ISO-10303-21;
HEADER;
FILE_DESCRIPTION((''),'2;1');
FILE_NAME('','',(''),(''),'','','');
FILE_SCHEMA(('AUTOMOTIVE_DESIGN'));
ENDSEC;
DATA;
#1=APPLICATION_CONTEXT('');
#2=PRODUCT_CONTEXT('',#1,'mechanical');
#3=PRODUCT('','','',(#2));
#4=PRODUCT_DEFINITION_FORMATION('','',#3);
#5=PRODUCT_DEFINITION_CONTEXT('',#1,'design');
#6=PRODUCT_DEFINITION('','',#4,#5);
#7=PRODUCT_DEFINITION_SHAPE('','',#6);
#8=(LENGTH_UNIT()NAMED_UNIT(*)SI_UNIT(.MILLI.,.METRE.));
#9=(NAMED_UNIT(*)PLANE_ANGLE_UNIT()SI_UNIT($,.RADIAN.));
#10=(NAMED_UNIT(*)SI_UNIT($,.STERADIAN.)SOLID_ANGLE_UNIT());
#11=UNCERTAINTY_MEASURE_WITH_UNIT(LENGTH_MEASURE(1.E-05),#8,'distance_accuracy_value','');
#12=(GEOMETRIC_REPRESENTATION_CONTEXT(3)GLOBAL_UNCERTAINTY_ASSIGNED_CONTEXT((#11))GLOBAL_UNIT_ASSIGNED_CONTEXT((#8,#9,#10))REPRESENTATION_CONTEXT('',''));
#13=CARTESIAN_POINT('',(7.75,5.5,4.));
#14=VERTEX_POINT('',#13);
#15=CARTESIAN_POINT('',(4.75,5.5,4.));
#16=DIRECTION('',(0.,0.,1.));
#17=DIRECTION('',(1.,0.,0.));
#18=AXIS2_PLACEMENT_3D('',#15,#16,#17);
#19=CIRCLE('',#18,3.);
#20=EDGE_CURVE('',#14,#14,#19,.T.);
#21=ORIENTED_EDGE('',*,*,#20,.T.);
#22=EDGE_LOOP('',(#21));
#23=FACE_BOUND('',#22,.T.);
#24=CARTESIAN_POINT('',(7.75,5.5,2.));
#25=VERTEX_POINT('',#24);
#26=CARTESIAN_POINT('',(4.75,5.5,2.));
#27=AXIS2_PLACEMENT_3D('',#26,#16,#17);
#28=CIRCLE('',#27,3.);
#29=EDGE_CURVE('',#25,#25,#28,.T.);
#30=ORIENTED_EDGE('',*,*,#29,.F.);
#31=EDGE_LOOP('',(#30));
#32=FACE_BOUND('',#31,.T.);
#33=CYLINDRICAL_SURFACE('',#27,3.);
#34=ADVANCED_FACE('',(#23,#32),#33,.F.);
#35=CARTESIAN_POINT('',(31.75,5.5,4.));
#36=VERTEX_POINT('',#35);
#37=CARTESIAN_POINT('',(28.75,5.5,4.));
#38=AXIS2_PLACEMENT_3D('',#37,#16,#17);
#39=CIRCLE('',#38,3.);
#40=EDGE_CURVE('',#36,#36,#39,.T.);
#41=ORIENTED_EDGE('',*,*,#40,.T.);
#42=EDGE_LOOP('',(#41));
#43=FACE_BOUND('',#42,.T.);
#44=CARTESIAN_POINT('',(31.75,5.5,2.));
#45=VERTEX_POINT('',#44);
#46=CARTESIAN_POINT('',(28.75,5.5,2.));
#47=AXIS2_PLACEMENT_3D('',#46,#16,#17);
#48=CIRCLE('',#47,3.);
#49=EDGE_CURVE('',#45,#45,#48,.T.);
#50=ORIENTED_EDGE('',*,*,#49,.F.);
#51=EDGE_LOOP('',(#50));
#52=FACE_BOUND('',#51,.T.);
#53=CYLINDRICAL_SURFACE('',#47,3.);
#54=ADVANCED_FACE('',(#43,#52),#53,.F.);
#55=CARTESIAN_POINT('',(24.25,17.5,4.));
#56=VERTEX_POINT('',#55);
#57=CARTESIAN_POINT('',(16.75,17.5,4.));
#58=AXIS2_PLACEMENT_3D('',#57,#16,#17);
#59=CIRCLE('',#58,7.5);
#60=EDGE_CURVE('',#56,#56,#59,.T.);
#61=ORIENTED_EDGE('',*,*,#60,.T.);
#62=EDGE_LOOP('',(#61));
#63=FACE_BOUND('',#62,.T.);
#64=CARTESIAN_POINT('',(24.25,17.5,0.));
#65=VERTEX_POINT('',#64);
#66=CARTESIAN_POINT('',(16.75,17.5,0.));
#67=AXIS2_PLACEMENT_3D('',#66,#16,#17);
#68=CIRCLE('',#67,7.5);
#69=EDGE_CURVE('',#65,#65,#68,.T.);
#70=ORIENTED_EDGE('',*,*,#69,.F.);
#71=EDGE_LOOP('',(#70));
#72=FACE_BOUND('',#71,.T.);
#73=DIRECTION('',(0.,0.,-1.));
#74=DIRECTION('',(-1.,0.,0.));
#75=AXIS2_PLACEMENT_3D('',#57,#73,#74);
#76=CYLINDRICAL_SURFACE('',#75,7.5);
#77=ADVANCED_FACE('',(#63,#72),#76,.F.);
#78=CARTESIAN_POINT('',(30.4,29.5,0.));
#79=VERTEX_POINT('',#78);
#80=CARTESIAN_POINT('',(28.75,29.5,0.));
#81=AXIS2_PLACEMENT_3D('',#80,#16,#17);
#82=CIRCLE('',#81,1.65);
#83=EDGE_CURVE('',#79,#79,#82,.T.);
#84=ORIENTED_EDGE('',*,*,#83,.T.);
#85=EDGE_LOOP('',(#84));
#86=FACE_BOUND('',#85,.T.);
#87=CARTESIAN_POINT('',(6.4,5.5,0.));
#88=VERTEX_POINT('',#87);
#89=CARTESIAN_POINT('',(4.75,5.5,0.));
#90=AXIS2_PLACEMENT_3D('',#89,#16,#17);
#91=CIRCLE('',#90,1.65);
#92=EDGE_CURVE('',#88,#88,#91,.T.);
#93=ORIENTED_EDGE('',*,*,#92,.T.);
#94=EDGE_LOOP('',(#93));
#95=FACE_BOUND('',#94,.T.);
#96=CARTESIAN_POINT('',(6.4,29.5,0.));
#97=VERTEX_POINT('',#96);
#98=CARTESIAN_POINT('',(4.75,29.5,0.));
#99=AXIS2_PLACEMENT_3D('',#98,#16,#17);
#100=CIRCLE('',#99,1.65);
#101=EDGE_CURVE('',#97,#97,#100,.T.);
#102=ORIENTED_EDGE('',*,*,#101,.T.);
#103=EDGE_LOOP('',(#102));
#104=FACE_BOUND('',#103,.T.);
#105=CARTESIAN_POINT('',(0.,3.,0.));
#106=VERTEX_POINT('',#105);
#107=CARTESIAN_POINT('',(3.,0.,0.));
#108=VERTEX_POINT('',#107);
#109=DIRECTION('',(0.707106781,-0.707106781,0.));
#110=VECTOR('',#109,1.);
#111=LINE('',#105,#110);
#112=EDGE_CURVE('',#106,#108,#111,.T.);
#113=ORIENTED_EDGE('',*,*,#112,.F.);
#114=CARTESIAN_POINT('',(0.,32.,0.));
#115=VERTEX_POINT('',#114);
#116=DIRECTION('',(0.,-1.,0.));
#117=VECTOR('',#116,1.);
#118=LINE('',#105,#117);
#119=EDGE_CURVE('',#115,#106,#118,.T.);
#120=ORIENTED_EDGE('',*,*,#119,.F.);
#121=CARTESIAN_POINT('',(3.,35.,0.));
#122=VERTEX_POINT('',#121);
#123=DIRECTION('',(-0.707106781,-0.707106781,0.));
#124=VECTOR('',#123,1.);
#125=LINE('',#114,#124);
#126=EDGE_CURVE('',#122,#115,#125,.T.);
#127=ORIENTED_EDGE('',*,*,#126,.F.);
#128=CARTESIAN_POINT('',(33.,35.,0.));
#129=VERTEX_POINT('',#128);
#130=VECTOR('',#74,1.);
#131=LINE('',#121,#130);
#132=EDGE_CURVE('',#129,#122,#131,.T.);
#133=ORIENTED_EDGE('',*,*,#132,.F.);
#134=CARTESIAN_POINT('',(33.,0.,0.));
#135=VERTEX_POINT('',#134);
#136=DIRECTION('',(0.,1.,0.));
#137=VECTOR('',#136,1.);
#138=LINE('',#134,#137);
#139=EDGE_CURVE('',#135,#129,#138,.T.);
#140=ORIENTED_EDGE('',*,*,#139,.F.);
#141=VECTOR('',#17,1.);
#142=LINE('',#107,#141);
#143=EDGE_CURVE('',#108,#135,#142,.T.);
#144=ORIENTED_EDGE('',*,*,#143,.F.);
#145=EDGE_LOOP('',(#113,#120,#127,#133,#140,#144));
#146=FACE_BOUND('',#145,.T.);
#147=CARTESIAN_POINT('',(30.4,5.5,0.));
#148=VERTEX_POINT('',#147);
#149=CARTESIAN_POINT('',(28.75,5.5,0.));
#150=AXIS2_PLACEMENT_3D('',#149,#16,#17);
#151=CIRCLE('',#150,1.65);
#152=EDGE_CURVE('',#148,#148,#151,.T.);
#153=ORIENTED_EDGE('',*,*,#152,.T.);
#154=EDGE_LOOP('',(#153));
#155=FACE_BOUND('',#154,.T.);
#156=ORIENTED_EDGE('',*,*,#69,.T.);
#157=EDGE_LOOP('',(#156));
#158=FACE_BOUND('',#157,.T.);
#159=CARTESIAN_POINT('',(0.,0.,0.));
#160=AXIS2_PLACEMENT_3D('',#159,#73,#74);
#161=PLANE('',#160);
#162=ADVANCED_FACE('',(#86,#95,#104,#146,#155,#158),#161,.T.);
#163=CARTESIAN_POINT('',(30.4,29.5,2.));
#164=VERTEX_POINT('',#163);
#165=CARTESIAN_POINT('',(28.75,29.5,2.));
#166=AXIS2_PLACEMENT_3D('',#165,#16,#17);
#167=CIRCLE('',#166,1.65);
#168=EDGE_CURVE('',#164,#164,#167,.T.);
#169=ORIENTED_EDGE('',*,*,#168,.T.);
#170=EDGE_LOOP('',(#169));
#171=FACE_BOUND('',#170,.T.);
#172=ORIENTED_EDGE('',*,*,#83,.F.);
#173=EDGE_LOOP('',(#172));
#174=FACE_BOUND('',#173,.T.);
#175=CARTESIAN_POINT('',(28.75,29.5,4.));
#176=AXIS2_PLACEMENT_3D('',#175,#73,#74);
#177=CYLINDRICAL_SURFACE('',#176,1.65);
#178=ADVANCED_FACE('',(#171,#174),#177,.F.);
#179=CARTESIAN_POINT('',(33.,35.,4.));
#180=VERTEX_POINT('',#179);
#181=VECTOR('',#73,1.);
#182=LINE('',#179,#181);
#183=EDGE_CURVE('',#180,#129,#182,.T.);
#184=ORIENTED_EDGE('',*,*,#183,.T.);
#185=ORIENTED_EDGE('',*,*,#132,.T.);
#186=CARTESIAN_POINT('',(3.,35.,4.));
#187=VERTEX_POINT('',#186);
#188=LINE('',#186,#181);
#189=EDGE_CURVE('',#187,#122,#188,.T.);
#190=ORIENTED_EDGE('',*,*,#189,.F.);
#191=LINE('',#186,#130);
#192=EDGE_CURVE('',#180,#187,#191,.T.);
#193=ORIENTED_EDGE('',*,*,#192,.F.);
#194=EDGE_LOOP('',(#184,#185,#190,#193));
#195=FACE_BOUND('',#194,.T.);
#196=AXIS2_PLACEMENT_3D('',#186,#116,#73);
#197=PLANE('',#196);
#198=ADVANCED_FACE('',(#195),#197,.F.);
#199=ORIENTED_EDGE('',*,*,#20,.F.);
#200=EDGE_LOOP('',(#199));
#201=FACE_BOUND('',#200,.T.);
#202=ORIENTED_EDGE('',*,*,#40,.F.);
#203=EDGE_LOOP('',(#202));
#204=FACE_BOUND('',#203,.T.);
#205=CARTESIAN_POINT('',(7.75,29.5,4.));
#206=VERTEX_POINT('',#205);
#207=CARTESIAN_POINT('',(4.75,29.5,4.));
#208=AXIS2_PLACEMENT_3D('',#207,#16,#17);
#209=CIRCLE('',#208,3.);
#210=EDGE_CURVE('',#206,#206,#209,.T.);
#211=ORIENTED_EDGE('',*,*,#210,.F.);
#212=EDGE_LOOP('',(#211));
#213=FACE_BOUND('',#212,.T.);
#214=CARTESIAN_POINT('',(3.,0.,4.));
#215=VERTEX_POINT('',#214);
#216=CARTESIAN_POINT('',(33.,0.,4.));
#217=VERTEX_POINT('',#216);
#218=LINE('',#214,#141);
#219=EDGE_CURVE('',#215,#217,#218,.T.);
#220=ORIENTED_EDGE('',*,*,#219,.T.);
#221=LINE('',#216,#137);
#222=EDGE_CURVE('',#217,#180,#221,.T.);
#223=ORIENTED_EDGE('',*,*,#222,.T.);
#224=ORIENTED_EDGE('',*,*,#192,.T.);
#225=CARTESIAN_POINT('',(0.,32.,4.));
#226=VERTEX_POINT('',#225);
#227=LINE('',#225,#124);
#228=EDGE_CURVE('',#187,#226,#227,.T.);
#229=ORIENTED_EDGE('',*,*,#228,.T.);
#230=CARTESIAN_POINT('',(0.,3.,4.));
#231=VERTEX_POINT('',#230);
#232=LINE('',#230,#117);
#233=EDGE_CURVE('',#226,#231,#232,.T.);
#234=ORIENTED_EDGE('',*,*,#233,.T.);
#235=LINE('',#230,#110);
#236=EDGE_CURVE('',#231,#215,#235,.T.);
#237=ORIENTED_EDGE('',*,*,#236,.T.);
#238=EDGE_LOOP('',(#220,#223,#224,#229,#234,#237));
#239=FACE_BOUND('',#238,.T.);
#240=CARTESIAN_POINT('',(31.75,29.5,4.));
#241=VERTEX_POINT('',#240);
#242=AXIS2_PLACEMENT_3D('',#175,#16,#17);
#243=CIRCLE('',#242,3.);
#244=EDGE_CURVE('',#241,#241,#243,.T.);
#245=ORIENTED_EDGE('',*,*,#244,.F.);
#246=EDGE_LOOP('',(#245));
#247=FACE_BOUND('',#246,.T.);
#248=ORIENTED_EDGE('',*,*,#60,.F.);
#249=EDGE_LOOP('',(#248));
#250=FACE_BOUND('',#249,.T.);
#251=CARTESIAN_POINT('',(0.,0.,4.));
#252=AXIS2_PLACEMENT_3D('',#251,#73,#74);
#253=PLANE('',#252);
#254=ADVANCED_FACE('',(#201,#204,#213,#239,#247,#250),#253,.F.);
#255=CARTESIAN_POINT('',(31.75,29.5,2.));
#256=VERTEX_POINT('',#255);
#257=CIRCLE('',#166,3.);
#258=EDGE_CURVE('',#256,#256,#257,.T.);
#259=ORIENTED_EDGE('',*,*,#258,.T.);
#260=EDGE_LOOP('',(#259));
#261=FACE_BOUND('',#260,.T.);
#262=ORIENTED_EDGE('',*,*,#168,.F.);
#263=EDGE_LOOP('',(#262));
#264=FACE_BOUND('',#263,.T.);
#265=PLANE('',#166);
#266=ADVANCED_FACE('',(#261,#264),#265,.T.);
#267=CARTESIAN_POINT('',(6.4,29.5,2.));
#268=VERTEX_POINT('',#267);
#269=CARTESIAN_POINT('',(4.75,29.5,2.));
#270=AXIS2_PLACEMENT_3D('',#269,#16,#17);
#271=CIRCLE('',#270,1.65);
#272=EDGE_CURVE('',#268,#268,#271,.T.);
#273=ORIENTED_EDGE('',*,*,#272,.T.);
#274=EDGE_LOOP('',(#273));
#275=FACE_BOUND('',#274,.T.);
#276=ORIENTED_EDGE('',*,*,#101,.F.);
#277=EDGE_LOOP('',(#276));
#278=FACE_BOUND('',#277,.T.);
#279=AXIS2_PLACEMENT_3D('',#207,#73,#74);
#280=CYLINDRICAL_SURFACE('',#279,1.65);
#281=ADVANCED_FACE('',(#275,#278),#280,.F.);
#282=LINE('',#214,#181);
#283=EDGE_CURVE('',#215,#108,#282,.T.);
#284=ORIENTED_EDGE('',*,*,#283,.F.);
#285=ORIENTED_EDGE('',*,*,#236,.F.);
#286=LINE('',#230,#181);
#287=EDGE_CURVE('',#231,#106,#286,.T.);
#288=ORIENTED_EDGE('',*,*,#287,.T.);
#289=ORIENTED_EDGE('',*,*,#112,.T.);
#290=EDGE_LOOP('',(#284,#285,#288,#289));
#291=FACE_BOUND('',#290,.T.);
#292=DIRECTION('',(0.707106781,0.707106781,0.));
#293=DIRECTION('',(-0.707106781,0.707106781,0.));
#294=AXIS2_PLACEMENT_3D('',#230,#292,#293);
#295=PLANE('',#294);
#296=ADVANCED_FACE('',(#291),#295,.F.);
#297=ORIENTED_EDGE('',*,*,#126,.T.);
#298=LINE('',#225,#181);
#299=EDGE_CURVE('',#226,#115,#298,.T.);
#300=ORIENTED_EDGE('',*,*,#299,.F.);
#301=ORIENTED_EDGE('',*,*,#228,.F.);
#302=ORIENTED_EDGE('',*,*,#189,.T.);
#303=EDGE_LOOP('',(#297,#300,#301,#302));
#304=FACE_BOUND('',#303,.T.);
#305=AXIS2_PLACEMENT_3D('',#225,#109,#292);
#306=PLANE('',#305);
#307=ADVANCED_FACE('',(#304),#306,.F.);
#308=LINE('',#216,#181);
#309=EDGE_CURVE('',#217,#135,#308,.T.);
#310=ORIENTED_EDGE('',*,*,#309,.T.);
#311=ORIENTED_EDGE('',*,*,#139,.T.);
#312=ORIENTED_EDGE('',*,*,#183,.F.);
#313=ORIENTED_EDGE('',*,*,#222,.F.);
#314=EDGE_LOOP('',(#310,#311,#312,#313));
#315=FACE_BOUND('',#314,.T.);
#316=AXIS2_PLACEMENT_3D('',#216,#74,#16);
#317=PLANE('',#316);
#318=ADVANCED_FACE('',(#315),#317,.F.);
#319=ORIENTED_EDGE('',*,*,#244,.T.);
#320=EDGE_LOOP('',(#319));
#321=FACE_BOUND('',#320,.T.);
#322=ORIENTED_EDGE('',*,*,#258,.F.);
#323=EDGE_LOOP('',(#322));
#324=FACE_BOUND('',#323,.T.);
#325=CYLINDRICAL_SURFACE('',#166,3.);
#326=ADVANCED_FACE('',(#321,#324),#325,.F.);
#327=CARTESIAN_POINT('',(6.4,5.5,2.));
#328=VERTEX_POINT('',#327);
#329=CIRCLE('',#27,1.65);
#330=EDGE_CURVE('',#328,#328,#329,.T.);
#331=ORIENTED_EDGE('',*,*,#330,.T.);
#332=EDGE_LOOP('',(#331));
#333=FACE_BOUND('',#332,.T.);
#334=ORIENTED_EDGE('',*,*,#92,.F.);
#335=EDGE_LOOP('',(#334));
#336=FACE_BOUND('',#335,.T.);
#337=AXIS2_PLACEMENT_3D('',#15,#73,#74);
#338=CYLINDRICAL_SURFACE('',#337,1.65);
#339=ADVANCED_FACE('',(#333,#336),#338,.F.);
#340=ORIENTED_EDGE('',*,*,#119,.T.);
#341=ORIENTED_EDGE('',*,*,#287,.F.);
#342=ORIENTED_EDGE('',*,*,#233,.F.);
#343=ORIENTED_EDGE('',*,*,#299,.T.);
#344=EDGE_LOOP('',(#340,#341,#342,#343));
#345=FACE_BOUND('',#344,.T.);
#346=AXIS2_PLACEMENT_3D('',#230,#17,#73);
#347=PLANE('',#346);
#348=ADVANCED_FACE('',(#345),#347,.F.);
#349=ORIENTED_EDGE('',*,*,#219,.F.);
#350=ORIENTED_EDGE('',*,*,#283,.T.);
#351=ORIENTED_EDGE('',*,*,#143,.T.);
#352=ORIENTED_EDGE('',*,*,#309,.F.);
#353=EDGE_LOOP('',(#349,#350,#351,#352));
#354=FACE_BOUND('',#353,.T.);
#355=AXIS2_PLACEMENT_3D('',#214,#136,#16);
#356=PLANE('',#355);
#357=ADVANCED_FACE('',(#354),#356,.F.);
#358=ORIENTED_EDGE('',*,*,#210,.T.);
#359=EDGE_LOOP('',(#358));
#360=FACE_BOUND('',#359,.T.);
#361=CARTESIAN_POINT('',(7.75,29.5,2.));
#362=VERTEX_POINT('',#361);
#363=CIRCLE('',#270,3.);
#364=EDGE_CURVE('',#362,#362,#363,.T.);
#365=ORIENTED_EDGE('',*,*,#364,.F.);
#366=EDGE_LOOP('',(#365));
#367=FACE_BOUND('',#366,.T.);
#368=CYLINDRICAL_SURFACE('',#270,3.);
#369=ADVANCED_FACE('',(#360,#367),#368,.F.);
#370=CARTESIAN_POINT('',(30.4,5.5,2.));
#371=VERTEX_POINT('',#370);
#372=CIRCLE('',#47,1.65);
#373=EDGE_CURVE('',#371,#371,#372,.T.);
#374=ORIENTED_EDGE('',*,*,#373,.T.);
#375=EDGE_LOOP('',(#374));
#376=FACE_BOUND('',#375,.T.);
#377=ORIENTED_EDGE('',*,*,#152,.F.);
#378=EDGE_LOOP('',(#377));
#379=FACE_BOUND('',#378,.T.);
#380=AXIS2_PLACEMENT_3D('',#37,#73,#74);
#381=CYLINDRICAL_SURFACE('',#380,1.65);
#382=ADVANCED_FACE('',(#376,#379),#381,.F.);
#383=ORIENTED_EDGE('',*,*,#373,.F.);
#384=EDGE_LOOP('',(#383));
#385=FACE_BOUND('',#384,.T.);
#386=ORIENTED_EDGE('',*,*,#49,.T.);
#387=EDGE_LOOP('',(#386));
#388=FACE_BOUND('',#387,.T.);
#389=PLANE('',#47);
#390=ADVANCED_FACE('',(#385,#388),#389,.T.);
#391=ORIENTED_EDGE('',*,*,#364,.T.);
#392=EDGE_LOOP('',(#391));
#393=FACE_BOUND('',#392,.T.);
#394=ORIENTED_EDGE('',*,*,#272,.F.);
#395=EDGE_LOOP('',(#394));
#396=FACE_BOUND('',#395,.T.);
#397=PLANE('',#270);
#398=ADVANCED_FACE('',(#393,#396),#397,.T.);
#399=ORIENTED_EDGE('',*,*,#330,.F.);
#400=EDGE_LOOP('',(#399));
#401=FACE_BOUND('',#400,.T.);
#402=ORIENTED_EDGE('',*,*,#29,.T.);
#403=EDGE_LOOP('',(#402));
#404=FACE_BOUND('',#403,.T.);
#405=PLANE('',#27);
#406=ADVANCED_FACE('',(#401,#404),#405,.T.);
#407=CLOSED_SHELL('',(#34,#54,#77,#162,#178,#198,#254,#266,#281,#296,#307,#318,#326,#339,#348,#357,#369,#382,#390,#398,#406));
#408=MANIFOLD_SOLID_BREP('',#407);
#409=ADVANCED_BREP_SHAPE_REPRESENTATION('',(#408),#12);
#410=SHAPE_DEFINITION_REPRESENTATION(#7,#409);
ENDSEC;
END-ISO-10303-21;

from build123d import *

# Parameters (mm, degrees)
SKETCH_1_R          = 7.5
SKETCH_1_R_2        = 1.65
EXTRUDE_1_DEPTH     = 4
SKETCH_2_R          = 3
CUT_EXTRUDE_1_DEPTH = 2


with BuildPart() as part:
    # 草图1 → 凸台-拉伸1 (new body)
    with BuildSketch(Plane.XY):
        Polygon((0, 32), (3, 35), (33, 35), (33, 0), (3, 0), (0, 3), align=None)
        with Locations((16.75, 17.5)):
            Circle(SKETCH_1_R, mode=Mode.SUBTRACT)
        with Locations((4.75, 29.5)):
            Circle(SKETCH_1_R_2, mode=Mode.SUBTRACT)
        with Locations((28.75, 29.5)):
            Circle(SKETCH_1_R_2, mode=Mode.SUBTRACT)
        with Locations((4.75, 5.5)):
            Circle(SKETCH_1_R_2, mode=Mode.SUBTRACT)
        with Locations((28.75, 5.5)):
            Circle(SKETCH_1_R_2, mode=Mode.SUBTRACT)
    extrude(amount=EXTRUDE_1_DEPTH)

    # 草图2 → 切除-拉伸1 (cut)
    with BuildSketch(Plane.XY.offset(4)):
        with Locations((4.75, 29.5)):
            Circle(SKETCH_2_R)
        with Locations((28.75, 29.5)):
            Circle(SKETCH_2_R)
        with Locations((4.75, 5.5)):
            Circle(SKETCH_2_R)
        with Locations((28.75, 5.5)):
            Circle(SKETCH_2_R)
    extrude(amount=-CUT_EXTRUDE_1_DEPTH, mode=Mode.SUBTRACT)


solid = part.part
